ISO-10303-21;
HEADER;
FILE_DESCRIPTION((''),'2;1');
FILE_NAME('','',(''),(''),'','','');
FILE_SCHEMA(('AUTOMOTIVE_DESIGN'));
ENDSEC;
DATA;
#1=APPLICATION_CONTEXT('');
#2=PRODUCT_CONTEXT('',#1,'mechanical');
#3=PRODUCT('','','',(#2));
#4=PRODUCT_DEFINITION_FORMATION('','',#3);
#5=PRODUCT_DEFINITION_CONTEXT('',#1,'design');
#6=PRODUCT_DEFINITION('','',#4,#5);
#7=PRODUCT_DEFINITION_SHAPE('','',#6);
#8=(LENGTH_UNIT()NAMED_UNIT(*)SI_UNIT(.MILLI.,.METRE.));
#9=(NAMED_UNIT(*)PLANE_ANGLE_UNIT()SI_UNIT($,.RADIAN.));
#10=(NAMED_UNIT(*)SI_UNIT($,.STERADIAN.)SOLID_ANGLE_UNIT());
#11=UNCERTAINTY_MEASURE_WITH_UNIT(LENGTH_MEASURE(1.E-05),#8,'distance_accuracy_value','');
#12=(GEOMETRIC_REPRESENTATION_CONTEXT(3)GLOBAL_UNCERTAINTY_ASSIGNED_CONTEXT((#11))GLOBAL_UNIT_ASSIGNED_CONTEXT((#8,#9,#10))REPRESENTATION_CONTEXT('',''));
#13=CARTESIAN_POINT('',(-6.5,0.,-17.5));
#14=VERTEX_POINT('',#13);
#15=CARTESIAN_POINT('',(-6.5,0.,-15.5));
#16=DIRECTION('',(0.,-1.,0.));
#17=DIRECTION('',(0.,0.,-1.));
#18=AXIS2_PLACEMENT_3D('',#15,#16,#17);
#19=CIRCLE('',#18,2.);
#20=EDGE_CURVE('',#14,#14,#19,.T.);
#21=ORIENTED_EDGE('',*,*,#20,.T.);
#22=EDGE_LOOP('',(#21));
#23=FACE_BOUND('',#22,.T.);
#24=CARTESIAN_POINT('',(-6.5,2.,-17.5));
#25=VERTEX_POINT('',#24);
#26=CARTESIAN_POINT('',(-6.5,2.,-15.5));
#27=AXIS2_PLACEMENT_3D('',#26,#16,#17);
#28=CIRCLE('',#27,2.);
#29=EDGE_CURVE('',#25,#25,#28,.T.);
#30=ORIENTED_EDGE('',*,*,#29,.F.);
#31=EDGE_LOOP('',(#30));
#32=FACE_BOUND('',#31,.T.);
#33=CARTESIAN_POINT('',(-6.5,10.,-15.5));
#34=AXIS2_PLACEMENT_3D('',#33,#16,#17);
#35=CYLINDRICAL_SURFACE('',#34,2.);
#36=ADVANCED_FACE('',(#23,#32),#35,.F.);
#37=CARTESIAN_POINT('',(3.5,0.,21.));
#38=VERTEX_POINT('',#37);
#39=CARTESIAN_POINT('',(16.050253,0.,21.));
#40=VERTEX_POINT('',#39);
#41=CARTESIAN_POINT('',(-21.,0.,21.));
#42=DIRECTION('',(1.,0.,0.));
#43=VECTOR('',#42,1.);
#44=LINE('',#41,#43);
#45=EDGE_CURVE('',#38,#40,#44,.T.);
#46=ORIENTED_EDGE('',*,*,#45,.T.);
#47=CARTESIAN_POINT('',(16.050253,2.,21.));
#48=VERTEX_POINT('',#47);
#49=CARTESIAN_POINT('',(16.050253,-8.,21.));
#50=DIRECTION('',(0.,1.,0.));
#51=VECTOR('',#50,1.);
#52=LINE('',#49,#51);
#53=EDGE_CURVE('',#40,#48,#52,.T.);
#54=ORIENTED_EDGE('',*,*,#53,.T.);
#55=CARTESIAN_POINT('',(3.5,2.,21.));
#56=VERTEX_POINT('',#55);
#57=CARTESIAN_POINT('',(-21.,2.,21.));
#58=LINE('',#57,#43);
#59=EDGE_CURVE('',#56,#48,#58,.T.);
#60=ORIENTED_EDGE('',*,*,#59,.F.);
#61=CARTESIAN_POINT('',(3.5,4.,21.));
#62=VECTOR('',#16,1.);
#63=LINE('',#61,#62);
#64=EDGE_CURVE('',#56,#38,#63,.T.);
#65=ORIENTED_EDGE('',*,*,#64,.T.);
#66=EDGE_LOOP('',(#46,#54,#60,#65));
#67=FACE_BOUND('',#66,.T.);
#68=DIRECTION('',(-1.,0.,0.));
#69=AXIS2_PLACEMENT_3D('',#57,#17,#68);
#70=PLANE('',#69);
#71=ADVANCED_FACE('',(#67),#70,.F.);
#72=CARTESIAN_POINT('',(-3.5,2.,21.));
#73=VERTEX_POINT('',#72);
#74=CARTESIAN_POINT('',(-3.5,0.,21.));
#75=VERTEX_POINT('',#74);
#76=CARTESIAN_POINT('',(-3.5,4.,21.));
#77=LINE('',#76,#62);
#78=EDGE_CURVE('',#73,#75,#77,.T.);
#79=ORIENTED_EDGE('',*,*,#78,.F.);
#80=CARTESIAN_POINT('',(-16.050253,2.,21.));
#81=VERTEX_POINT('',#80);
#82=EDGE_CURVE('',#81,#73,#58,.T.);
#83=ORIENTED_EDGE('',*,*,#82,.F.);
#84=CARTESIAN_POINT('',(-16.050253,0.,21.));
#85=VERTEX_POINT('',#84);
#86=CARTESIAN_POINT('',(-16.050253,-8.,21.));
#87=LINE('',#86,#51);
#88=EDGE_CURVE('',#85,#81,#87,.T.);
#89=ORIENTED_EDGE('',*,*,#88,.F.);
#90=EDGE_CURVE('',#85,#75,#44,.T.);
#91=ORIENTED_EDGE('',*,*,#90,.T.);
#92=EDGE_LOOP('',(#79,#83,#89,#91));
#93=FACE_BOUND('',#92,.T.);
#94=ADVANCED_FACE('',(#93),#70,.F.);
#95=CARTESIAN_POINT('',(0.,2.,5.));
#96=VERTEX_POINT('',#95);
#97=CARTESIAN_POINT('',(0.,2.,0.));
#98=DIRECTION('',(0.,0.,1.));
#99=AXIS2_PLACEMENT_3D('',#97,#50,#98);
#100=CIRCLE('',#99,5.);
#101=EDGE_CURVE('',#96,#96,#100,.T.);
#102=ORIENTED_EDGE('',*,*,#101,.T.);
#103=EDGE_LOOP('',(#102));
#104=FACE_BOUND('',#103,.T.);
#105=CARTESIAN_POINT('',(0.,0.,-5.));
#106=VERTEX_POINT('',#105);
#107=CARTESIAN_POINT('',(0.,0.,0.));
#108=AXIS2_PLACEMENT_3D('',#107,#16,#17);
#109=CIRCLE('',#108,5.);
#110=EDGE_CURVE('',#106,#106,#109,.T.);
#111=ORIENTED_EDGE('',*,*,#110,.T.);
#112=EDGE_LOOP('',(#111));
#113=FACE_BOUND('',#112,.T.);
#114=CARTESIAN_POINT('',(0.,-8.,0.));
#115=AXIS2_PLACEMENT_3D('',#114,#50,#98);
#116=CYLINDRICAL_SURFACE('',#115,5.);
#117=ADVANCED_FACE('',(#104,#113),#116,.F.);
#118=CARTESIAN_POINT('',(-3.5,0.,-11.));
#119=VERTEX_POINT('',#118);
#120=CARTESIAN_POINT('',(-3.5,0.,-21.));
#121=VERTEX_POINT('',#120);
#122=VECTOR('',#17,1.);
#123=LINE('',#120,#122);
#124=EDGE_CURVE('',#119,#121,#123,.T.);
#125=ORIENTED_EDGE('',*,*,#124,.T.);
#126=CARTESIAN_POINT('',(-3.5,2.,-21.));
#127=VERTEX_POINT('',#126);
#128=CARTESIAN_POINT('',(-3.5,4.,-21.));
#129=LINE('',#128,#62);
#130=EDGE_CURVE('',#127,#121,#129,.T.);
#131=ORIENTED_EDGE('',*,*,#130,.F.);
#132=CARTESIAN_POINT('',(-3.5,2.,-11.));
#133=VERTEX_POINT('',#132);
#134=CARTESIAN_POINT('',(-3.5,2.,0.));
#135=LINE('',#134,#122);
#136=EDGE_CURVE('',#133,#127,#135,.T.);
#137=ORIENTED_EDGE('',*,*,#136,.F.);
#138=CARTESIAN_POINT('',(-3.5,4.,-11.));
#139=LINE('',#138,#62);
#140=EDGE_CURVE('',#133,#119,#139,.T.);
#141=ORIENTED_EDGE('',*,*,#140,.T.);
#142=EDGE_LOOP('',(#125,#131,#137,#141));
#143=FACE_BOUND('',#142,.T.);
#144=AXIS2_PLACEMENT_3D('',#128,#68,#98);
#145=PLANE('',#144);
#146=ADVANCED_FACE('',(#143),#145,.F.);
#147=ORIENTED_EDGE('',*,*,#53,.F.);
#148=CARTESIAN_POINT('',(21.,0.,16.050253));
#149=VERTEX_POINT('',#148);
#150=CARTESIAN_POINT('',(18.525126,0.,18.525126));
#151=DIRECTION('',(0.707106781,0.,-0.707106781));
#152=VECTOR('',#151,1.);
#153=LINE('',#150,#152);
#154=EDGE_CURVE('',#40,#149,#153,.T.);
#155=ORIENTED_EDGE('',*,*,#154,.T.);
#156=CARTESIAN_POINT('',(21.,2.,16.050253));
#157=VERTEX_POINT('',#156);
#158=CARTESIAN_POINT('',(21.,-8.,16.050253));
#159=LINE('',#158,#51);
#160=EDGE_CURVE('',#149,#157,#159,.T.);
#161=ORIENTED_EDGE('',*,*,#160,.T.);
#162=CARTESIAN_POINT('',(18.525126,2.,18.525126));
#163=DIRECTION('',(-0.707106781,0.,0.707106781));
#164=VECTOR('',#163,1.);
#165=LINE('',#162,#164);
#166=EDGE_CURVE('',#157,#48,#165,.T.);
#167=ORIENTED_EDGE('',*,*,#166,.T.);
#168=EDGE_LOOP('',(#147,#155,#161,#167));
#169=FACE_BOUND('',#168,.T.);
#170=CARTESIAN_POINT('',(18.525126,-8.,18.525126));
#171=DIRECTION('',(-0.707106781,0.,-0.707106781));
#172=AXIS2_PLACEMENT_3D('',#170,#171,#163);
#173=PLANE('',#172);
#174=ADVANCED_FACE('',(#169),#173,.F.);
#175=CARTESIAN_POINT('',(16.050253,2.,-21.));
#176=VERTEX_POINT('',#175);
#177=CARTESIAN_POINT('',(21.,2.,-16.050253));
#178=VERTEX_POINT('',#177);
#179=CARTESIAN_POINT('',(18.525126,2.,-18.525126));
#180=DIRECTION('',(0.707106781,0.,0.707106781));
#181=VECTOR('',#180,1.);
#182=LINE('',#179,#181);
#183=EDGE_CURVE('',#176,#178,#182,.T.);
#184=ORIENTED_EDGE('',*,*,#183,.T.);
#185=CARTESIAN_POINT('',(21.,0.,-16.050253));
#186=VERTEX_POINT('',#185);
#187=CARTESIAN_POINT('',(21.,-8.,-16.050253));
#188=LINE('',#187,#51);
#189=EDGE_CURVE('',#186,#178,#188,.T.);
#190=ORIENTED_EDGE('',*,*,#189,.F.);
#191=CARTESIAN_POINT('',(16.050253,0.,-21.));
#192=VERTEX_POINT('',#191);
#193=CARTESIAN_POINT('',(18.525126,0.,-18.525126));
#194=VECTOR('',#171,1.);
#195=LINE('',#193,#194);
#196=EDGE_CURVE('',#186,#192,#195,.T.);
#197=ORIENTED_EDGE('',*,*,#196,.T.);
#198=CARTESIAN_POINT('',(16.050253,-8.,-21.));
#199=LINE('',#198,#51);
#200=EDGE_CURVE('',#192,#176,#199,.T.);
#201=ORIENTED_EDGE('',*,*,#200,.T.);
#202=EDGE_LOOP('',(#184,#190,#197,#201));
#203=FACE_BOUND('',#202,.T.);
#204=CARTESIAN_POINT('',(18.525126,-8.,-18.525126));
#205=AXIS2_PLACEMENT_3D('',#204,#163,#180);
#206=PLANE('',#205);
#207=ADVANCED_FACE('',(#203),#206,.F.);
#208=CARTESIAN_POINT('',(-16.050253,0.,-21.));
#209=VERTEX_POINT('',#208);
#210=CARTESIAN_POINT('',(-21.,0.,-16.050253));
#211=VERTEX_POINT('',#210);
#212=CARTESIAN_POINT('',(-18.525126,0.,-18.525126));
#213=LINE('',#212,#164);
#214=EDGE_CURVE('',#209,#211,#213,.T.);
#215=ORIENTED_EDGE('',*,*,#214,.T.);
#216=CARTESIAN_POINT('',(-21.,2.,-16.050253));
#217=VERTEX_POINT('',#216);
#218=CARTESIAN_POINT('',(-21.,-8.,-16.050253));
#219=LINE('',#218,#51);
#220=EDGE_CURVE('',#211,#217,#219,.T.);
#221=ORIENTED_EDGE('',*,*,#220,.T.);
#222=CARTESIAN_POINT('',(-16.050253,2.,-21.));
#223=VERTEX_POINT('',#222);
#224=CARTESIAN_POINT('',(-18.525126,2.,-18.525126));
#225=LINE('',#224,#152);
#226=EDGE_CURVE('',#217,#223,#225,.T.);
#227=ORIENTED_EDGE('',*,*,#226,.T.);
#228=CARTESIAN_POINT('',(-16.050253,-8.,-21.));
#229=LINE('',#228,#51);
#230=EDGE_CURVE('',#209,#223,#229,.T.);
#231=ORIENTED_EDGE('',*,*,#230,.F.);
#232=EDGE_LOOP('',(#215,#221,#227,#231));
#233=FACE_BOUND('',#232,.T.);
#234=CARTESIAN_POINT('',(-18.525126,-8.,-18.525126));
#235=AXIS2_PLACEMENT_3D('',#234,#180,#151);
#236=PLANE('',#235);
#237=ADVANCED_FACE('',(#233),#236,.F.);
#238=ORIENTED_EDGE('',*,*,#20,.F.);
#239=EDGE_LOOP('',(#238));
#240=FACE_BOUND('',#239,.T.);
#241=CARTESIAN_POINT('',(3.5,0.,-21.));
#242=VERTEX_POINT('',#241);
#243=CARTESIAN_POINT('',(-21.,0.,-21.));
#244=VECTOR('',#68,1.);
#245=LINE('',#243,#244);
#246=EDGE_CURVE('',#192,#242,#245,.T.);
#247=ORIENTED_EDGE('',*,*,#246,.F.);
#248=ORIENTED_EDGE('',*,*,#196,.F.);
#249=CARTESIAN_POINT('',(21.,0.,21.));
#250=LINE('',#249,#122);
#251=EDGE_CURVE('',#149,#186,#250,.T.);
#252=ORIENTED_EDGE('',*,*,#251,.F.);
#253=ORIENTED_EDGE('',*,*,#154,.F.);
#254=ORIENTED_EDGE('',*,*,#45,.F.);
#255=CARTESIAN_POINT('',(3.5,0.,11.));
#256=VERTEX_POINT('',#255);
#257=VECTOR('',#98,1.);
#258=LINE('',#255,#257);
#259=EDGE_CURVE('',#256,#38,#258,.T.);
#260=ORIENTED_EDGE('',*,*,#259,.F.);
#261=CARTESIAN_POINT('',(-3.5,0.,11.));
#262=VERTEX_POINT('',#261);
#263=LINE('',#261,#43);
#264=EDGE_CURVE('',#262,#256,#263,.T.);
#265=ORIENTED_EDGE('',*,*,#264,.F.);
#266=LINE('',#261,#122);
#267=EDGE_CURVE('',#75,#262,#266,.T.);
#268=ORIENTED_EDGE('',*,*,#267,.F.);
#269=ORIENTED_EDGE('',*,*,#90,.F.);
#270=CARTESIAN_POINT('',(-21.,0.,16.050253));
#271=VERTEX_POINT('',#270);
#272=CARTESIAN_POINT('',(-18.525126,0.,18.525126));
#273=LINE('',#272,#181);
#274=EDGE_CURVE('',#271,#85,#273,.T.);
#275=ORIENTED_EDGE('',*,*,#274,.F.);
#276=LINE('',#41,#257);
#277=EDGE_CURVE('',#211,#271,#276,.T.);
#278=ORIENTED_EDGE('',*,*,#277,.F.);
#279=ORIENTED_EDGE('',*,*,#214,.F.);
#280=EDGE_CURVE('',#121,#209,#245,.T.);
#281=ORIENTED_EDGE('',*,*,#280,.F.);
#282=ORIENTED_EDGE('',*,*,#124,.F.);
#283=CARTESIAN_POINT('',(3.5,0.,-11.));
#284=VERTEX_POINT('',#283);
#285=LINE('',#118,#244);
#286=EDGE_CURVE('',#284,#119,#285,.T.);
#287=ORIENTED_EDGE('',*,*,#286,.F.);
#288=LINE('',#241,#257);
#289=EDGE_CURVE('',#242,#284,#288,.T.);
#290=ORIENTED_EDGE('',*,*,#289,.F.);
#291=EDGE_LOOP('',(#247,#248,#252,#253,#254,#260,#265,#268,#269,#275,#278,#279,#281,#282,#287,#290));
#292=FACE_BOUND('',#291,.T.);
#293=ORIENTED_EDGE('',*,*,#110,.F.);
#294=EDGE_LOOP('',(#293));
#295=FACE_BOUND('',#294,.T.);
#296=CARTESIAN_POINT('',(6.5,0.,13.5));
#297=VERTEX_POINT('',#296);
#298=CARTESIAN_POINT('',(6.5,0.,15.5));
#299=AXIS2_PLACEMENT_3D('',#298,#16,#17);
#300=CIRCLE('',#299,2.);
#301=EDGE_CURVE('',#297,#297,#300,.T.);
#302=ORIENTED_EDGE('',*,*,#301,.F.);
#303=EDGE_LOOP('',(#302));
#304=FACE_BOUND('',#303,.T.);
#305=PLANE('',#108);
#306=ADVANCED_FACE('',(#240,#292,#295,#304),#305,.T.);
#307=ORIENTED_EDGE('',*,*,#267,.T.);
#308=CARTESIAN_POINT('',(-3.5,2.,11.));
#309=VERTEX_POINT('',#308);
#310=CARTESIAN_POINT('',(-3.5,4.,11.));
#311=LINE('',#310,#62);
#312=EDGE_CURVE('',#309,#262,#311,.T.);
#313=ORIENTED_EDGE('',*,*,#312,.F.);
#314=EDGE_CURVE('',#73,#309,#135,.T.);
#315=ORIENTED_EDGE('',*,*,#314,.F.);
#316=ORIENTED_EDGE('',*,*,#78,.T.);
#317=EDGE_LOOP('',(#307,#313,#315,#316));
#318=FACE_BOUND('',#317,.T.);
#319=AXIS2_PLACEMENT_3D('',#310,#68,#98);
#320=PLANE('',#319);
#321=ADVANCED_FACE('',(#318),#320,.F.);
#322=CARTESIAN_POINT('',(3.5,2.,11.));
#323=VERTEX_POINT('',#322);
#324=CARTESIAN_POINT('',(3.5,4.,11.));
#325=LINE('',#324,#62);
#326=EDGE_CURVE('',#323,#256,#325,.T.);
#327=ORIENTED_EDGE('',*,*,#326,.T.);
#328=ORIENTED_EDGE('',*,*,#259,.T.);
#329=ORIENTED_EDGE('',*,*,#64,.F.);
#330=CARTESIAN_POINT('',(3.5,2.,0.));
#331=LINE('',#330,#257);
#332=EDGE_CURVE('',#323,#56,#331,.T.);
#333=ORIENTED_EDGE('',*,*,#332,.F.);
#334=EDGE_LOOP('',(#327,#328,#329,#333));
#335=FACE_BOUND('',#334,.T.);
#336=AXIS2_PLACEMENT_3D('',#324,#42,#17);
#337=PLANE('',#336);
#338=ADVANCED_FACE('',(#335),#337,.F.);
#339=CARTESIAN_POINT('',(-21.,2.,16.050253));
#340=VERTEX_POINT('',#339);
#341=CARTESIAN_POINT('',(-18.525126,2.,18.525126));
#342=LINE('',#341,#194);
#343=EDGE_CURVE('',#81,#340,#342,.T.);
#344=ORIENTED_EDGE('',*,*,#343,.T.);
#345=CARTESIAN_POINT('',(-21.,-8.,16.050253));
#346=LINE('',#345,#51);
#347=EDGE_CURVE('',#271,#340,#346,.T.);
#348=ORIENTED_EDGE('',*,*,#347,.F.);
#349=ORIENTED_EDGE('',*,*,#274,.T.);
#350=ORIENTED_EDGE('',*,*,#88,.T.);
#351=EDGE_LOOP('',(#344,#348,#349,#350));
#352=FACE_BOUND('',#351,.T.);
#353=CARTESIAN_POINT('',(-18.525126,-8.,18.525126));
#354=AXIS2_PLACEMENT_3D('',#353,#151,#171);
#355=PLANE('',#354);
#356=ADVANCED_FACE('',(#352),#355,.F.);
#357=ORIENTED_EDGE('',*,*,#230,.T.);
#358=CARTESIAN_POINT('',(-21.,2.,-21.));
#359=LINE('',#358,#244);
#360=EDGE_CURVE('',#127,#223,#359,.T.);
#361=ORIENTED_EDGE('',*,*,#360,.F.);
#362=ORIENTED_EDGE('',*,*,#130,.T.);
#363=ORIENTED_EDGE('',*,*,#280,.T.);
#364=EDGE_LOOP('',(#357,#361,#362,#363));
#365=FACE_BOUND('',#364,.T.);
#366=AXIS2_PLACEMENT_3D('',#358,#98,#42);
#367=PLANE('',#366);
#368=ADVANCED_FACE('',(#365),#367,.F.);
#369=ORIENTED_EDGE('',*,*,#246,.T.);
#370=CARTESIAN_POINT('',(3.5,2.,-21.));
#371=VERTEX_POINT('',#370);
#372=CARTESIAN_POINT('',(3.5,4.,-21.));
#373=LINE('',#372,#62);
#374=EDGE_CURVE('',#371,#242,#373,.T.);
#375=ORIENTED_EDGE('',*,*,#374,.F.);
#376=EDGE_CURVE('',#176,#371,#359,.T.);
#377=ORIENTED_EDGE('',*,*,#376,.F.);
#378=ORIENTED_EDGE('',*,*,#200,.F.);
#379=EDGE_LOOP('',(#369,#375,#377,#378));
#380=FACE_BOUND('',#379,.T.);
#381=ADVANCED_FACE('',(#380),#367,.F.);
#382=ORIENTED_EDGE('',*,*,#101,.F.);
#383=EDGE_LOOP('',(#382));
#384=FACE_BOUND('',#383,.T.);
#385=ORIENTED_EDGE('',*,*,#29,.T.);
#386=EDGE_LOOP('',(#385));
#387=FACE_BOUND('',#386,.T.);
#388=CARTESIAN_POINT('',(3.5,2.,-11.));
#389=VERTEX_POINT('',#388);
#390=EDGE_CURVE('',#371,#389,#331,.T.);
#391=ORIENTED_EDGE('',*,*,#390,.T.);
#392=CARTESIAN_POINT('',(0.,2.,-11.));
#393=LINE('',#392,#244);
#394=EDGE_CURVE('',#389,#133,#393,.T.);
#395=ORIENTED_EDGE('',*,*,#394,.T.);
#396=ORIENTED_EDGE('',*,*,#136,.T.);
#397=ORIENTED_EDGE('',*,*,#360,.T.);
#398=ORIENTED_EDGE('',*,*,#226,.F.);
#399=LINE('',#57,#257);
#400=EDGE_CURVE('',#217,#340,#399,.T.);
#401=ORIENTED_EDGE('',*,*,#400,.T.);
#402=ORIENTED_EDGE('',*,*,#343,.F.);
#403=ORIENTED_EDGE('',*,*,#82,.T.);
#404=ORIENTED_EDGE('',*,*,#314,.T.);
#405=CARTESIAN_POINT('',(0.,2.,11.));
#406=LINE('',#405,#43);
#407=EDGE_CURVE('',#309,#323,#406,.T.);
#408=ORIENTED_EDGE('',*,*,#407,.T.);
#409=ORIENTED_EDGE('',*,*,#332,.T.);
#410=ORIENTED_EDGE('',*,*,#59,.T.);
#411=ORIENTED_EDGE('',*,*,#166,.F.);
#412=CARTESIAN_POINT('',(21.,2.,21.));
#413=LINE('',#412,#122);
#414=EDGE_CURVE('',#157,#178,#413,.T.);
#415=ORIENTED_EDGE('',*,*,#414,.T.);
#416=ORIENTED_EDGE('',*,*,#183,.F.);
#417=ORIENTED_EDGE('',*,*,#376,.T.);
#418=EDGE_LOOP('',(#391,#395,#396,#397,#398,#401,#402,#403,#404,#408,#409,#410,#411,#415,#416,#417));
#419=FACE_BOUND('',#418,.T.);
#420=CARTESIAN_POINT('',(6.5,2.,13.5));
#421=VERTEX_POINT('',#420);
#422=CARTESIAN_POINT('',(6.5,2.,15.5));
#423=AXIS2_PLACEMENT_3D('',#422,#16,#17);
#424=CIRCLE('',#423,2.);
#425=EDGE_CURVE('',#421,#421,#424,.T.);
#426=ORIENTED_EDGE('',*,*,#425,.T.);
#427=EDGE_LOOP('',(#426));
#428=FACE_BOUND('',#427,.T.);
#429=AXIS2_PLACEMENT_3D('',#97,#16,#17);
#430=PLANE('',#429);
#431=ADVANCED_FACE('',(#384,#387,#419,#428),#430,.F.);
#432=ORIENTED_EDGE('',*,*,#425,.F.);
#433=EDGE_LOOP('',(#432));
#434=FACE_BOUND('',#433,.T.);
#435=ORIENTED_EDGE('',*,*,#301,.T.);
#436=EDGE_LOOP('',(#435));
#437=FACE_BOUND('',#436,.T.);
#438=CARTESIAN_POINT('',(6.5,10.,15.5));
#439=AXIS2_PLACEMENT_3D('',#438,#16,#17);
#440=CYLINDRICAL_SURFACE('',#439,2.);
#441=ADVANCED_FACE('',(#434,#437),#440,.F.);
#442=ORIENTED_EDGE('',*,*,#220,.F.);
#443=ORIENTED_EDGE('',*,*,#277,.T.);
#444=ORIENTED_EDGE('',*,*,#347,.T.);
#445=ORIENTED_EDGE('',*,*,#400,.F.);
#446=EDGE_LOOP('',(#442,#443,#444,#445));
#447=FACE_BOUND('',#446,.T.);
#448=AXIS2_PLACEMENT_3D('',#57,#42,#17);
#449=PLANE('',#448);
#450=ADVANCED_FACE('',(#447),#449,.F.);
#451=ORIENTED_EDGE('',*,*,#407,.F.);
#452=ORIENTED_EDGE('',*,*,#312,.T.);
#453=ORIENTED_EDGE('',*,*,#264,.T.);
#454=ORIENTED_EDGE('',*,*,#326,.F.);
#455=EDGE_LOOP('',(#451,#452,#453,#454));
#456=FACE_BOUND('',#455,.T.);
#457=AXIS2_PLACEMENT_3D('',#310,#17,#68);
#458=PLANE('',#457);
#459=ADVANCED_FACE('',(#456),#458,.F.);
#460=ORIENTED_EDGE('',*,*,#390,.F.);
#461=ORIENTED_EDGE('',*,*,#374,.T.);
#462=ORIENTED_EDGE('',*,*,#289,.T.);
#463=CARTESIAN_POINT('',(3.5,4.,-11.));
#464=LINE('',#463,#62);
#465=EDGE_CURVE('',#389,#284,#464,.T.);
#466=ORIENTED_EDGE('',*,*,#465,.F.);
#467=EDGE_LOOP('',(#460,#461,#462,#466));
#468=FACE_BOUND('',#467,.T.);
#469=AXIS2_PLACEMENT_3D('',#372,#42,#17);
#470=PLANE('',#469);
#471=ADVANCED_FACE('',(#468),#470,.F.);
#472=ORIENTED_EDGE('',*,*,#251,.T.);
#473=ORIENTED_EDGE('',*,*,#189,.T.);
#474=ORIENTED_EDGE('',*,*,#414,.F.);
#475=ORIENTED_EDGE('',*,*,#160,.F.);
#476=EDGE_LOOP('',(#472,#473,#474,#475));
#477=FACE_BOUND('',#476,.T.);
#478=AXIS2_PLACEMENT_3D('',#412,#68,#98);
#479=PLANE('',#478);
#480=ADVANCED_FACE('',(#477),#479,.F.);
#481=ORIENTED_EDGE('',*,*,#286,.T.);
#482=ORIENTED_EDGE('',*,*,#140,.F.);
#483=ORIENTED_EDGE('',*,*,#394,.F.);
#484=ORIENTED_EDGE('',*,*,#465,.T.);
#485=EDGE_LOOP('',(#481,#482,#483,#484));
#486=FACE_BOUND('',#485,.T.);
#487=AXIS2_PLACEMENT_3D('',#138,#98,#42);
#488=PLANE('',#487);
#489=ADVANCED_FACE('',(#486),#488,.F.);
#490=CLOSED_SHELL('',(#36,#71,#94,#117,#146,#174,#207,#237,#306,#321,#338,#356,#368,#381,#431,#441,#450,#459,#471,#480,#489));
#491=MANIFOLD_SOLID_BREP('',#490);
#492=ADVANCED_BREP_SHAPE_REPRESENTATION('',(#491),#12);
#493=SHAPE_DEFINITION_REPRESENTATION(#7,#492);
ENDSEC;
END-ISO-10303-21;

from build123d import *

# Parameters (mm, degrees)
SKETCH1_W           = 42
SKETCH1_H           = 42
BOSS_EXTRUDE1_DEPTH = 2
CUT_EXTRUDE1_DEPTH  = 10
SKETCH3_R           = 5
CUT_EXTRUDE2_DEPTH  = 10
SKETCH4_R           = 2
CUT_EXTRUDE3_DEPTH  = 10
SKETCH5_W           = 7
SKETCH5_H           = 10
CUT_EXTRUDE4_DEPTH  = 4


with BuildPart() as part:
    # Sketch1 → Boss-Extrude1 (new body)
    with BuildSketch(Plane(origin=(0, 0, 0), x_dir=(1, 0, 0), z_dir=(0, 1, 0))):
        Rectangle(SKETCH1_W, SKETCH1_H)
    extrude(amount=BOSS_EXTRUDE1_DEPTH)

    # Sketch2 → Cut-Extrude1 (cut)
    with BuildSketch(Plane(origin=(0, 2, 0), x_dir=(1, 0, 0), z_dir=(0, 1, 0))):
        Polygon((-16.050252532, 21), (-21, 21), (-21, 16.050252532), align=None)
        Polygon((21, 21), (16.050252532, 21), (21, 16.050252532), align=None)
        Polygon((21, -16.050252532), (16.050252532, -21), (21, -21), align=None)
        Polygon((-16.050252532, -21), (-21, -16.050252532), (-21, -21), align=None)
    extrude(amount=-CUT_EXTRUDE1_DEPTH, mode=Mode.SUBTRACT)

    # Sketch3 → Cut-Extrude2 (cut)
    with BuildSketch(Plane(origin=(0, 2, 0), x_dir=(1, 0, 0), z_dir=(0, 1, 0))):
        with Locations(Location((0, 0, 0), (0, 0, 270))):
            Circle(SKETCH3_R)
    extrude(amount=-CUT_EXTRUDE2_DEPTH, mode=Mode.SUBTRACT)

    # Sketch4 → Cut-Extrude3 (cut)
    with BuildSketch(Plane.XZ):
        with Locations(Location((6.5, 15.5, 0), (0, 0, 270))):
            Circle(SKETCH4_R)
        with Locations(Location((-6.5, -15.5, 0), (0, 0, 270))):
            Circle(SKETCH4_R)
    extrude(amount=-CUT_EXTRUDE3_DEPTH, mode=Mode.SUBTRACT)

    # Sketch5 → Cut-Extrude4 (cut)
    with BuildSketch(Plane.XZ):
        with Locations((0, -16)):
            Rectangle(SKETCH5_W, SKETCH5_H)
        with Locations((0, 16)):
            Rectangle(SKETCH5_W, SKETCH5_H)
    extrude(amount=-CUT_EXTRUDE4_DEPTH, mode=Mode.SUBTRACT)


solid = part.part
